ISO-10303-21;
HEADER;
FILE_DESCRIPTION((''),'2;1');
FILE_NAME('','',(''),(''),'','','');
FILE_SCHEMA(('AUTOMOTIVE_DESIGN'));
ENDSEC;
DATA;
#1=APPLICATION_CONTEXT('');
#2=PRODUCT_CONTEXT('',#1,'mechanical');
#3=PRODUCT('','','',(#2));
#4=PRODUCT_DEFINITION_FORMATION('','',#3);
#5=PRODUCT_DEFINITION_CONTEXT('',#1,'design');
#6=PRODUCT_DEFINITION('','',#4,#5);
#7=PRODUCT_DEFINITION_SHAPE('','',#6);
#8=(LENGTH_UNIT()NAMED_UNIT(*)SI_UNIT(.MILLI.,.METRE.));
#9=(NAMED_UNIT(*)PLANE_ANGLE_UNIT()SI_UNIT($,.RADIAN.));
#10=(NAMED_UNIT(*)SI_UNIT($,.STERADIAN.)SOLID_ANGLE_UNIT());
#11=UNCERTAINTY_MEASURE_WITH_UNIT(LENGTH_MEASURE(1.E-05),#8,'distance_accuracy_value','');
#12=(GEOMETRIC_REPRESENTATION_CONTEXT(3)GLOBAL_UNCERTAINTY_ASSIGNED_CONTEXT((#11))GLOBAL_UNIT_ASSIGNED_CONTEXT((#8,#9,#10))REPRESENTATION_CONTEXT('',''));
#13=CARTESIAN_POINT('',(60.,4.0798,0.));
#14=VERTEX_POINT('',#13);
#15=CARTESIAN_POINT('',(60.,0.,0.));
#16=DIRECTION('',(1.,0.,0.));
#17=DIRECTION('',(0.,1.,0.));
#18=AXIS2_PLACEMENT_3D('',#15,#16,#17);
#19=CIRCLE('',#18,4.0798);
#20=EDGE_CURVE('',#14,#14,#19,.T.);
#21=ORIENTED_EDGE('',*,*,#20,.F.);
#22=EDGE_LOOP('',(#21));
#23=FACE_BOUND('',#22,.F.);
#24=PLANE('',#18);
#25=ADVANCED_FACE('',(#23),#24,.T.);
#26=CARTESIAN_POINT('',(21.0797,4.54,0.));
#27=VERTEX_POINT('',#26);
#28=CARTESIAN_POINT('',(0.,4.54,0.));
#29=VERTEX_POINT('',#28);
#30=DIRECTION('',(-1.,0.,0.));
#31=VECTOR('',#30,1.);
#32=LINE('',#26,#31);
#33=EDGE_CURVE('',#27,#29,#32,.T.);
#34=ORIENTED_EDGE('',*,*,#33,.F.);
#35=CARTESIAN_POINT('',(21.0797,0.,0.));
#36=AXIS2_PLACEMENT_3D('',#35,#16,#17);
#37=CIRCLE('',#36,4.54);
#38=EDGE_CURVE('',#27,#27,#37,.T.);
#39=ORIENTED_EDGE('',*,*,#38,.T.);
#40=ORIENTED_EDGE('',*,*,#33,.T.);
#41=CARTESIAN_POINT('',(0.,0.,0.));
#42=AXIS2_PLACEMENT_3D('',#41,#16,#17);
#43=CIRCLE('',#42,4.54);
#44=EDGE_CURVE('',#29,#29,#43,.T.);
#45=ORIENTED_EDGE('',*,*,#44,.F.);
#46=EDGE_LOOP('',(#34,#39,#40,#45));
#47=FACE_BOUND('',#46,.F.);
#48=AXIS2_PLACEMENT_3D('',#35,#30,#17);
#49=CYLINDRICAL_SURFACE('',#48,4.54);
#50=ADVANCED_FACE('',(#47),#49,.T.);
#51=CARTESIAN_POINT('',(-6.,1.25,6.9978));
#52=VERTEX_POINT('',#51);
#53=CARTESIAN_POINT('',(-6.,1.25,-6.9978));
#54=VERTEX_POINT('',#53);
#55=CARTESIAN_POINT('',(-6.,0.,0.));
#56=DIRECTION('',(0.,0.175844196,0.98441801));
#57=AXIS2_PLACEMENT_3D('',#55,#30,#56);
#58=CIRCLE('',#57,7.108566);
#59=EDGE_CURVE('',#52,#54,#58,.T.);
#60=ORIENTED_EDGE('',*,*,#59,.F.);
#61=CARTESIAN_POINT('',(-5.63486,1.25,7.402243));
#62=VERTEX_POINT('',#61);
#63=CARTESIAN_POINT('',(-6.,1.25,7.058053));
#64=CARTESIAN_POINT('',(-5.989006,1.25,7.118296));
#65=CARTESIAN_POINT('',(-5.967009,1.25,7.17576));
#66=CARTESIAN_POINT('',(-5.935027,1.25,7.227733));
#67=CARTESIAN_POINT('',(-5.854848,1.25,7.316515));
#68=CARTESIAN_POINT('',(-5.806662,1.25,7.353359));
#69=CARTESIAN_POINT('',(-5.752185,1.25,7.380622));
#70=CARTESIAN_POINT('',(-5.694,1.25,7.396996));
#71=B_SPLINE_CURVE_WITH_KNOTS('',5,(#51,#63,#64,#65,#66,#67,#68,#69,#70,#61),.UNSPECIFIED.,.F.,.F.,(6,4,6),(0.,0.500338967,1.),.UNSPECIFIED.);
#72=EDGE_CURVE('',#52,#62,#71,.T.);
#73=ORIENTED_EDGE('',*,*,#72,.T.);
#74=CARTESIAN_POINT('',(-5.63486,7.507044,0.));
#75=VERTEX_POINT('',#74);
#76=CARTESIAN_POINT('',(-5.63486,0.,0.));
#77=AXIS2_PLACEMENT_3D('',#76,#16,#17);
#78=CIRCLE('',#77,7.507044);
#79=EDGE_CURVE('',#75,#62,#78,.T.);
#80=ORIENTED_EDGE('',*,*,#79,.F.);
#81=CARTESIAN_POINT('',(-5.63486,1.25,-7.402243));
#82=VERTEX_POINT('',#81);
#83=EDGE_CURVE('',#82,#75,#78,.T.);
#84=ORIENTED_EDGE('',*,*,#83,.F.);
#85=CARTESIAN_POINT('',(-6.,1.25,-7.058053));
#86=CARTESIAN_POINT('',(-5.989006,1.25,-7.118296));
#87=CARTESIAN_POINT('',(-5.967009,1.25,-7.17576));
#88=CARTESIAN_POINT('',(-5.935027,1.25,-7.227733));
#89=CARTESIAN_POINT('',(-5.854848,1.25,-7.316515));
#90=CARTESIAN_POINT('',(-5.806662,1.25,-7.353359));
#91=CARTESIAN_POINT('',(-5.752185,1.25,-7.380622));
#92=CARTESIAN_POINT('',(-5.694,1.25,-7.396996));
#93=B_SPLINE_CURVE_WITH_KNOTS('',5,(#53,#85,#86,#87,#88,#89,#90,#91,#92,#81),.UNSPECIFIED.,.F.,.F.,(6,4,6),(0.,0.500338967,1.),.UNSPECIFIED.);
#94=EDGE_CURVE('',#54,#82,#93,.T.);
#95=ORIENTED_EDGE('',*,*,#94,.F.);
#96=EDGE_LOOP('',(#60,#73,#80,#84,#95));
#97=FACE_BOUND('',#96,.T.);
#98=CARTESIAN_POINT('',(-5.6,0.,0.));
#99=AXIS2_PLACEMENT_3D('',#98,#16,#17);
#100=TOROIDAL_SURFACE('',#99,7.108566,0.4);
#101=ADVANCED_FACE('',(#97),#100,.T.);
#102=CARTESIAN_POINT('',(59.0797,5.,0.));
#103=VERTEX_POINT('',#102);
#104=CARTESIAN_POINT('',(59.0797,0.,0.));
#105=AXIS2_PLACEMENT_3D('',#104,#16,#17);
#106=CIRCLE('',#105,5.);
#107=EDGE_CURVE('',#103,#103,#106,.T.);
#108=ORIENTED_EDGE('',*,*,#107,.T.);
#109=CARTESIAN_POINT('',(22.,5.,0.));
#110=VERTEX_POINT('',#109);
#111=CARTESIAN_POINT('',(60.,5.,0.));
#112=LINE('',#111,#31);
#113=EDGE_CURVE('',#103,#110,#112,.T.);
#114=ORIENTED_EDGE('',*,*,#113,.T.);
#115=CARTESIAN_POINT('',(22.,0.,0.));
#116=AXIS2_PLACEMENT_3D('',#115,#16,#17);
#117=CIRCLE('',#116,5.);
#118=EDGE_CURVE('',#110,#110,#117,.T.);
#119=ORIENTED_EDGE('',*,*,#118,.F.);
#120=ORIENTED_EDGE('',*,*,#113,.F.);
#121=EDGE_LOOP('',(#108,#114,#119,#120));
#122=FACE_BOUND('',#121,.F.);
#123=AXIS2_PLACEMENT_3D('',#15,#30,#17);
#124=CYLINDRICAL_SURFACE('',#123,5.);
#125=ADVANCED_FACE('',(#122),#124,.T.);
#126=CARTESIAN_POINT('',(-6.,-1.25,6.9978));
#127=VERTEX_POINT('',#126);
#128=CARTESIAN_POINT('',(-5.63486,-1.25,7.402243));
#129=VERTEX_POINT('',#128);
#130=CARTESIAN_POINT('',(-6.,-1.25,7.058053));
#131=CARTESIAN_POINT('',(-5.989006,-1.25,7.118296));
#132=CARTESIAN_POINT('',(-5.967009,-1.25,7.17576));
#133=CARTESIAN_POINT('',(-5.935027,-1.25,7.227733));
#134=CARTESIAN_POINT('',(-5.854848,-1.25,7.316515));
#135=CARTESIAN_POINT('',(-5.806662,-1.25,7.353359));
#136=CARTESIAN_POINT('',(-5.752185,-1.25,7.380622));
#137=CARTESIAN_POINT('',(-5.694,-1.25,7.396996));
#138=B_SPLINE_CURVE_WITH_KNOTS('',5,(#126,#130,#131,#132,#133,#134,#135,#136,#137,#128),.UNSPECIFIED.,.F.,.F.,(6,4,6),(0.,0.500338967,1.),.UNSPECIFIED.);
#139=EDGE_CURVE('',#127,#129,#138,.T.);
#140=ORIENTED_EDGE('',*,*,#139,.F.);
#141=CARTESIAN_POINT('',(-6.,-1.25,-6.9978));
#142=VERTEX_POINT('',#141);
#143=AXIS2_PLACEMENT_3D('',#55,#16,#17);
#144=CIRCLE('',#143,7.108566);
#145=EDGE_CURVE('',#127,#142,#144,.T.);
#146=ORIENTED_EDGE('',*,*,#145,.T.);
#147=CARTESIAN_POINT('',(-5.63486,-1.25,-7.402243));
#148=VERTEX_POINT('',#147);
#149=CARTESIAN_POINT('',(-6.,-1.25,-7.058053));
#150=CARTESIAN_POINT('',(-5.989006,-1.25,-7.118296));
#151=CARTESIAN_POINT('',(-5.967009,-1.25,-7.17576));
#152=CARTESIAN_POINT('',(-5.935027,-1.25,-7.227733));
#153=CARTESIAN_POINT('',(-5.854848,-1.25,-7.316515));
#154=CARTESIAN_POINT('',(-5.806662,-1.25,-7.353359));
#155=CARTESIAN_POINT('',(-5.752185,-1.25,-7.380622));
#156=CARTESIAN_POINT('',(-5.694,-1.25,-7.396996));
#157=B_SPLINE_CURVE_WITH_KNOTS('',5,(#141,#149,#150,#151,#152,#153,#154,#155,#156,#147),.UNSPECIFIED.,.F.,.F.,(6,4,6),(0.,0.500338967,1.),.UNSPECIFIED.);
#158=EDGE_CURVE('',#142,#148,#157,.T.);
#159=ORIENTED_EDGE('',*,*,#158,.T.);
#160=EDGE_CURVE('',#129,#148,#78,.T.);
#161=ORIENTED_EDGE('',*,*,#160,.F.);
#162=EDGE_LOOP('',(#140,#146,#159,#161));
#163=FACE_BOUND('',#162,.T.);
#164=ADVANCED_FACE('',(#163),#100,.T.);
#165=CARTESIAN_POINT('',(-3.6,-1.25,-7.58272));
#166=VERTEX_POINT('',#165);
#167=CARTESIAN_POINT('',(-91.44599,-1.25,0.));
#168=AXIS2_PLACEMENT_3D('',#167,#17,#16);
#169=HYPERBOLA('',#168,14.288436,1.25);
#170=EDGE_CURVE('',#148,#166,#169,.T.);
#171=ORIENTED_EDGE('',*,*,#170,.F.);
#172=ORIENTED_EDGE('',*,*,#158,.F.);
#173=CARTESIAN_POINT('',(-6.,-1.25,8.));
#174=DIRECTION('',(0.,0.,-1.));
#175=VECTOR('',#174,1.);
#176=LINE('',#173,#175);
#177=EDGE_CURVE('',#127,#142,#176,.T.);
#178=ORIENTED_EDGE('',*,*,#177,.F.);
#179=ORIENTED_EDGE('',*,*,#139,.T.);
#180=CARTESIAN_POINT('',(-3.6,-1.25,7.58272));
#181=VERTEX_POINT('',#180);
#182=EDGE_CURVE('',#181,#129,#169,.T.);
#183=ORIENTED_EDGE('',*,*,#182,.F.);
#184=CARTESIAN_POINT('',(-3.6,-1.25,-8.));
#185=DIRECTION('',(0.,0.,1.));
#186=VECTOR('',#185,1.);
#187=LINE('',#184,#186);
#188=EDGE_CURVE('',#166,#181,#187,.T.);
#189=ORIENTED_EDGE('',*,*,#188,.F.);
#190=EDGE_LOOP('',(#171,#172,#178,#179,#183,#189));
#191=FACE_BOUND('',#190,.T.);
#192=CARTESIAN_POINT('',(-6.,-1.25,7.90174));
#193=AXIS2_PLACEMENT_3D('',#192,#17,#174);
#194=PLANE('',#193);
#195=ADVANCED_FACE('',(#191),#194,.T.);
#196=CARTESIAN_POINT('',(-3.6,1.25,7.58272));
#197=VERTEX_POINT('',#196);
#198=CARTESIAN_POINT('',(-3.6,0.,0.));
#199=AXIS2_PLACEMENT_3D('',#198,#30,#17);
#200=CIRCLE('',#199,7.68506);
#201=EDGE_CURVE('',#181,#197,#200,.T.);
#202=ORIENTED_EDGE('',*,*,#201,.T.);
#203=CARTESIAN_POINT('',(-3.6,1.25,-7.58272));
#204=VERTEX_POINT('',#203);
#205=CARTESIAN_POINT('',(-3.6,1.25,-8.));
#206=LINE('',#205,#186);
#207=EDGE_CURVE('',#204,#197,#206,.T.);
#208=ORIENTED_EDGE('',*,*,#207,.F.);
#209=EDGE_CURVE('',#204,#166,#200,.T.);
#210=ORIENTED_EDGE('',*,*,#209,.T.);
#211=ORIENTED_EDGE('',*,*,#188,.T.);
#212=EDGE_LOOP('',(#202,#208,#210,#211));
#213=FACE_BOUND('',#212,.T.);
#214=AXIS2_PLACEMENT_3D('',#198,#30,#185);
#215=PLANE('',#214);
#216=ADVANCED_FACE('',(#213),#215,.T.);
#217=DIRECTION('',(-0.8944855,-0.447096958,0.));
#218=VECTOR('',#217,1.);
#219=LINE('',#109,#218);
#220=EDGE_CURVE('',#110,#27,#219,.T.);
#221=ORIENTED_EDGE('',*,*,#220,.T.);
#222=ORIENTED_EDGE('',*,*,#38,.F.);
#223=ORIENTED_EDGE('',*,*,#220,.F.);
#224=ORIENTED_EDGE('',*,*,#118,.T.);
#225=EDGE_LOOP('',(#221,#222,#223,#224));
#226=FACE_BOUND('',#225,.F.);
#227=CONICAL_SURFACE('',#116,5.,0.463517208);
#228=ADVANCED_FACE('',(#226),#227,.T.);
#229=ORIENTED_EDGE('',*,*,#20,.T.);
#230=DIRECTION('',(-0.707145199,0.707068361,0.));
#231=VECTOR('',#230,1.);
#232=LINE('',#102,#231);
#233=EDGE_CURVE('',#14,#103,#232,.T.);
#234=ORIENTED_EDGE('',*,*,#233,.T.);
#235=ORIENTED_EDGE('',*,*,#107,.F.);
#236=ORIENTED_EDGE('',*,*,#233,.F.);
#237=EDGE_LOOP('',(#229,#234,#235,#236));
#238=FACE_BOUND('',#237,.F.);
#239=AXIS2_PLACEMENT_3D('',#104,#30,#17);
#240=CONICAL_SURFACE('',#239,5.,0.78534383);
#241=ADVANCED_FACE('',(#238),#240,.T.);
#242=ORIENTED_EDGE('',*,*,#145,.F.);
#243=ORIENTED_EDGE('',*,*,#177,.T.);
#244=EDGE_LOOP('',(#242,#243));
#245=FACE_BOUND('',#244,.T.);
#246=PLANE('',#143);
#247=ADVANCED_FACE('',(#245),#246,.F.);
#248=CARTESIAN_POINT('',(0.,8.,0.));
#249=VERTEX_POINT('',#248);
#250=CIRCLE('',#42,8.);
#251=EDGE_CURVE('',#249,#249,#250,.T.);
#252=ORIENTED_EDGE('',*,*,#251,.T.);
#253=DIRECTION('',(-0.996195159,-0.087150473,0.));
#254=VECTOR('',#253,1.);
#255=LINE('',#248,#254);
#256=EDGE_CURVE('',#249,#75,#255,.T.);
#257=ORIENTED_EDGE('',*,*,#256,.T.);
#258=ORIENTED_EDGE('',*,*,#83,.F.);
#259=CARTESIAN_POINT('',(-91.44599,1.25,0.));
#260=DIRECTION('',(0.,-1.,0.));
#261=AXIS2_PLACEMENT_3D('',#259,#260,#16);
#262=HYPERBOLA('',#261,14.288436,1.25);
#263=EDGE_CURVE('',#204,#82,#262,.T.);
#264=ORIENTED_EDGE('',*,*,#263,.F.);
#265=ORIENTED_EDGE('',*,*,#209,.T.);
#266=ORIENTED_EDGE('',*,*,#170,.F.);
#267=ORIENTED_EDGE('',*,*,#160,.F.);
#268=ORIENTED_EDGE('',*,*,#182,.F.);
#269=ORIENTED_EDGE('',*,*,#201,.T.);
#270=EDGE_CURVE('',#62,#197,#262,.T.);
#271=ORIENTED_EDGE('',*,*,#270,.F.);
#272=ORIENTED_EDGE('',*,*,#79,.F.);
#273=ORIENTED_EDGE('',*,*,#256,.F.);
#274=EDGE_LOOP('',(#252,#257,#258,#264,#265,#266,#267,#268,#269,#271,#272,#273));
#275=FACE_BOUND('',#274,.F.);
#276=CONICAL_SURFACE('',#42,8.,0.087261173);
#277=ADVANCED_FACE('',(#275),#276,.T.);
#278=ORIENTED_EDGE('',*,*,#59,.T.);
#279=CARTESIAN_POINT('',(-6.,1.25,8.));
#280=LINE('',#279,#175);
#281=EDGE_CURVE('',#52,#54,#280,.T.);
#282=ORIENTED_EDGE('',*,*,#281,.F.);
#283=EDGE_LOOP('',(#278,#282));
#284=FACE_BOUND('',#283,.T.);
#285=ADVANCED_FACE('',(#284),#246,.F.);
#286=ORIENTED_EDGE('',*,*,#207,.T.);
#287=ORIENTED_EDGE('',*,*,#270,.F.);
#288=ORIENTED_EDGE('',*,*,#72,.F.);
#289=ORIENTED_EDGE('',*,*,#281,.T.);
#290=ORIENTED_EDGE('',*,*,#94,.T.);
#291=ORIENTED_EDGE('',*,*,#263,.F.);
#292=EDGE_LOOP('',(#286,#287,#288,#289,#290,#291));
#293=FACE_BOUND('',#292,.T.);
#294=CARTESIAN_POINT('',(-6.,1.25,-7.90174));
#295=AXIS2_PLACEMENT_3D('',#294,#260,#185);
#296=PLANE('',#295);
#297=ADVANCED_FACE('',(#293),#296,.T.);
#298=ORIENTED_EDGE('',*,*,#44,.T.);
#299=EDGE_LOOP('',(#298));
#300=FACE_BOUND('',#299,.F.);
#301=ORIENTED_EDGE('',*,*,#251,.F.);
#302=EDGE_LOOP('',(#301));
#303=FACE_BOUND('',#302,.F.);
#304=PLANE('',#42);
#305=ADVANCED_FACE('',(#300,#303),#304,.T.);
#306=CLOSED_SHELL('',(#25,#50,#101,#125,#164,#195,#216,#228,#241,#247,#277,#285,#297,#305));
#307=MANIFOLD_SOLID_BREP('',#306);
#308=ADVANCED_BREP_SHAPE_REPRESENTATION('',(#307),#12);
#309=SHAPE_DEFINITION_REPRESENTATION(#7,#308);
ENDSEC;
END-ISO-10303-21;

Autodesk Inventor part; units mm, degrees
ref_plane "YZ Plane" through (0, 0, 0) normal (1, 0, 0) x (0, 1, 0)
ref_plane "XZ Plane" through (0, 0, 0) normal (0, 1, 0) x (-1, 0, 0)
sketch "Sketch1" plane through (0, 0, 0) normal (0, 0, 1) x (1, 0, 0)
  line L0 (-6, 0) -> (60, 0)
  line L1 (60, 0) -> (60, 5)
  line L2 (60, 5) -> (22, 5)
  line L3 (22, 5) -> (21.0797, 4.54)
  line L4 (21.0797, 4.54) -> (0, 4.54)
  line L5 (0, 4.54) -> (0, 8)
  line L6 (-19.2, 0) -> (73.2, 0) projected
  line L7 (0, -1.6) -> (0, 9.6) projected
  line L8 (-6, 0) -> (-6, 7.4751)
  line L9 (0, 8) -> (-6, 7.4751)
  line L10 (22, 5) -> (0, 5) construction
  dimension "d0" = 60
  dimension "d1" = 38
  dimension "d2" = 0.9203
  dimension "d3" = 6
  dimension "d4" = 10
  dimension "d5" = 9.08
  dimension "d9" = 16
  dimension "d10" = 5
revolve "Body" add sketch "Sketch1" angle 360 about axis through (-6, 0, 0) along (1, 0, 0)
sketch "Sketch2" plane through (-6, 0, 0) normal (-1, 0, 0) x (0, 0, 1)
  circle A0 centre (0, 0) radius 8 projected
  line L0 (0, 0) -> (0, 7.4751) projected
  line L1 (-8, 1.25) -> (8, 1.25)
  line L2 (8, 1.25) -> (8, -1.25)
  line L3 (8, -1.25) -> (-8, -1.25)
  line L4 (-8, -1.25) -> (-8, 1.25)
  line L5 (-8, 0) -> (8, 0) construction
  line L6 (0, 1.25) -> (0, -1.25) construction
  dimension "d11" = 2.5
  dimension "d12" = 16
fillet "Fillet1" radius 0.4 1 edges at (-6, -7.4751, 0)
extrude "Slot" cut sketch "Sketch2" against normal blind 2.4 contours A0 L3 L1 | L2 L3 A0 | A0 L1 L2 | A0 L4 L1 | L3 L4 A0
thread "Thread" size "M10x1.5" class "6g" standard "ISO Metric profile" length 38
chamfer "Chamfer1" distance 0.9202 distance2 0.9203 1 edges at (60, -5, 0) measured on face at (60, -0.01, -0.88)
ref_plane "Work Plane1" through (30.1625, 0, 0) normal (0, 0, -1) x (1, 0, 0)
equation "\"d11\" = SBR"
equation "\"d12\" = KOD"
equation "\"d19\" = STI"
equation "\"d14\" = RR"
equation "\"d15\" = GEL"
equation "\"d17\" = -0.5 * SPD + 0.5 * GD"
equation "\"d0\" = NLG"
equation "\"d1\" = GEL"
equation "\"d3\" = KOH"
equation "\"d4\" = GD"
equation "\"d5\" = BDM"
equation "\"d9\" = KOD"
equation "\"d10\" = KEWI"
equation "\"GD\" = NND"
equation "\"NLG\" = 60"
equation "\"GEL\" = 38"
equation "\"KOD\" = 16"
equation "\"KOH\" = 6"
equation "\"GAL\" = 0.61345 * PTC"
equation "\"SPD\" = NND - 1.2269 * PTC"
equation "\"BDM\" = 9.08"
equation "\"GUL\" = 0.61345 * PTC"
equation "\"RR\" = 0.4"
equation "\"SBR\" = 2.5"
equation "\"STI\" = 2.4"
equation "\"KEWI\" = 5deg"
equation "\"PTC\" = 1.5"
equation "\"TOA\" = 30deg"
equation "\"GD1\" = THREADDIA - 1.2269 * PTC"
equation "\"NND\" = 10"
equation "\"THREADDIA\" = 10"
properties part number "ISO 1207 - M10 x 60" material "Stainless Steel, 440C"
